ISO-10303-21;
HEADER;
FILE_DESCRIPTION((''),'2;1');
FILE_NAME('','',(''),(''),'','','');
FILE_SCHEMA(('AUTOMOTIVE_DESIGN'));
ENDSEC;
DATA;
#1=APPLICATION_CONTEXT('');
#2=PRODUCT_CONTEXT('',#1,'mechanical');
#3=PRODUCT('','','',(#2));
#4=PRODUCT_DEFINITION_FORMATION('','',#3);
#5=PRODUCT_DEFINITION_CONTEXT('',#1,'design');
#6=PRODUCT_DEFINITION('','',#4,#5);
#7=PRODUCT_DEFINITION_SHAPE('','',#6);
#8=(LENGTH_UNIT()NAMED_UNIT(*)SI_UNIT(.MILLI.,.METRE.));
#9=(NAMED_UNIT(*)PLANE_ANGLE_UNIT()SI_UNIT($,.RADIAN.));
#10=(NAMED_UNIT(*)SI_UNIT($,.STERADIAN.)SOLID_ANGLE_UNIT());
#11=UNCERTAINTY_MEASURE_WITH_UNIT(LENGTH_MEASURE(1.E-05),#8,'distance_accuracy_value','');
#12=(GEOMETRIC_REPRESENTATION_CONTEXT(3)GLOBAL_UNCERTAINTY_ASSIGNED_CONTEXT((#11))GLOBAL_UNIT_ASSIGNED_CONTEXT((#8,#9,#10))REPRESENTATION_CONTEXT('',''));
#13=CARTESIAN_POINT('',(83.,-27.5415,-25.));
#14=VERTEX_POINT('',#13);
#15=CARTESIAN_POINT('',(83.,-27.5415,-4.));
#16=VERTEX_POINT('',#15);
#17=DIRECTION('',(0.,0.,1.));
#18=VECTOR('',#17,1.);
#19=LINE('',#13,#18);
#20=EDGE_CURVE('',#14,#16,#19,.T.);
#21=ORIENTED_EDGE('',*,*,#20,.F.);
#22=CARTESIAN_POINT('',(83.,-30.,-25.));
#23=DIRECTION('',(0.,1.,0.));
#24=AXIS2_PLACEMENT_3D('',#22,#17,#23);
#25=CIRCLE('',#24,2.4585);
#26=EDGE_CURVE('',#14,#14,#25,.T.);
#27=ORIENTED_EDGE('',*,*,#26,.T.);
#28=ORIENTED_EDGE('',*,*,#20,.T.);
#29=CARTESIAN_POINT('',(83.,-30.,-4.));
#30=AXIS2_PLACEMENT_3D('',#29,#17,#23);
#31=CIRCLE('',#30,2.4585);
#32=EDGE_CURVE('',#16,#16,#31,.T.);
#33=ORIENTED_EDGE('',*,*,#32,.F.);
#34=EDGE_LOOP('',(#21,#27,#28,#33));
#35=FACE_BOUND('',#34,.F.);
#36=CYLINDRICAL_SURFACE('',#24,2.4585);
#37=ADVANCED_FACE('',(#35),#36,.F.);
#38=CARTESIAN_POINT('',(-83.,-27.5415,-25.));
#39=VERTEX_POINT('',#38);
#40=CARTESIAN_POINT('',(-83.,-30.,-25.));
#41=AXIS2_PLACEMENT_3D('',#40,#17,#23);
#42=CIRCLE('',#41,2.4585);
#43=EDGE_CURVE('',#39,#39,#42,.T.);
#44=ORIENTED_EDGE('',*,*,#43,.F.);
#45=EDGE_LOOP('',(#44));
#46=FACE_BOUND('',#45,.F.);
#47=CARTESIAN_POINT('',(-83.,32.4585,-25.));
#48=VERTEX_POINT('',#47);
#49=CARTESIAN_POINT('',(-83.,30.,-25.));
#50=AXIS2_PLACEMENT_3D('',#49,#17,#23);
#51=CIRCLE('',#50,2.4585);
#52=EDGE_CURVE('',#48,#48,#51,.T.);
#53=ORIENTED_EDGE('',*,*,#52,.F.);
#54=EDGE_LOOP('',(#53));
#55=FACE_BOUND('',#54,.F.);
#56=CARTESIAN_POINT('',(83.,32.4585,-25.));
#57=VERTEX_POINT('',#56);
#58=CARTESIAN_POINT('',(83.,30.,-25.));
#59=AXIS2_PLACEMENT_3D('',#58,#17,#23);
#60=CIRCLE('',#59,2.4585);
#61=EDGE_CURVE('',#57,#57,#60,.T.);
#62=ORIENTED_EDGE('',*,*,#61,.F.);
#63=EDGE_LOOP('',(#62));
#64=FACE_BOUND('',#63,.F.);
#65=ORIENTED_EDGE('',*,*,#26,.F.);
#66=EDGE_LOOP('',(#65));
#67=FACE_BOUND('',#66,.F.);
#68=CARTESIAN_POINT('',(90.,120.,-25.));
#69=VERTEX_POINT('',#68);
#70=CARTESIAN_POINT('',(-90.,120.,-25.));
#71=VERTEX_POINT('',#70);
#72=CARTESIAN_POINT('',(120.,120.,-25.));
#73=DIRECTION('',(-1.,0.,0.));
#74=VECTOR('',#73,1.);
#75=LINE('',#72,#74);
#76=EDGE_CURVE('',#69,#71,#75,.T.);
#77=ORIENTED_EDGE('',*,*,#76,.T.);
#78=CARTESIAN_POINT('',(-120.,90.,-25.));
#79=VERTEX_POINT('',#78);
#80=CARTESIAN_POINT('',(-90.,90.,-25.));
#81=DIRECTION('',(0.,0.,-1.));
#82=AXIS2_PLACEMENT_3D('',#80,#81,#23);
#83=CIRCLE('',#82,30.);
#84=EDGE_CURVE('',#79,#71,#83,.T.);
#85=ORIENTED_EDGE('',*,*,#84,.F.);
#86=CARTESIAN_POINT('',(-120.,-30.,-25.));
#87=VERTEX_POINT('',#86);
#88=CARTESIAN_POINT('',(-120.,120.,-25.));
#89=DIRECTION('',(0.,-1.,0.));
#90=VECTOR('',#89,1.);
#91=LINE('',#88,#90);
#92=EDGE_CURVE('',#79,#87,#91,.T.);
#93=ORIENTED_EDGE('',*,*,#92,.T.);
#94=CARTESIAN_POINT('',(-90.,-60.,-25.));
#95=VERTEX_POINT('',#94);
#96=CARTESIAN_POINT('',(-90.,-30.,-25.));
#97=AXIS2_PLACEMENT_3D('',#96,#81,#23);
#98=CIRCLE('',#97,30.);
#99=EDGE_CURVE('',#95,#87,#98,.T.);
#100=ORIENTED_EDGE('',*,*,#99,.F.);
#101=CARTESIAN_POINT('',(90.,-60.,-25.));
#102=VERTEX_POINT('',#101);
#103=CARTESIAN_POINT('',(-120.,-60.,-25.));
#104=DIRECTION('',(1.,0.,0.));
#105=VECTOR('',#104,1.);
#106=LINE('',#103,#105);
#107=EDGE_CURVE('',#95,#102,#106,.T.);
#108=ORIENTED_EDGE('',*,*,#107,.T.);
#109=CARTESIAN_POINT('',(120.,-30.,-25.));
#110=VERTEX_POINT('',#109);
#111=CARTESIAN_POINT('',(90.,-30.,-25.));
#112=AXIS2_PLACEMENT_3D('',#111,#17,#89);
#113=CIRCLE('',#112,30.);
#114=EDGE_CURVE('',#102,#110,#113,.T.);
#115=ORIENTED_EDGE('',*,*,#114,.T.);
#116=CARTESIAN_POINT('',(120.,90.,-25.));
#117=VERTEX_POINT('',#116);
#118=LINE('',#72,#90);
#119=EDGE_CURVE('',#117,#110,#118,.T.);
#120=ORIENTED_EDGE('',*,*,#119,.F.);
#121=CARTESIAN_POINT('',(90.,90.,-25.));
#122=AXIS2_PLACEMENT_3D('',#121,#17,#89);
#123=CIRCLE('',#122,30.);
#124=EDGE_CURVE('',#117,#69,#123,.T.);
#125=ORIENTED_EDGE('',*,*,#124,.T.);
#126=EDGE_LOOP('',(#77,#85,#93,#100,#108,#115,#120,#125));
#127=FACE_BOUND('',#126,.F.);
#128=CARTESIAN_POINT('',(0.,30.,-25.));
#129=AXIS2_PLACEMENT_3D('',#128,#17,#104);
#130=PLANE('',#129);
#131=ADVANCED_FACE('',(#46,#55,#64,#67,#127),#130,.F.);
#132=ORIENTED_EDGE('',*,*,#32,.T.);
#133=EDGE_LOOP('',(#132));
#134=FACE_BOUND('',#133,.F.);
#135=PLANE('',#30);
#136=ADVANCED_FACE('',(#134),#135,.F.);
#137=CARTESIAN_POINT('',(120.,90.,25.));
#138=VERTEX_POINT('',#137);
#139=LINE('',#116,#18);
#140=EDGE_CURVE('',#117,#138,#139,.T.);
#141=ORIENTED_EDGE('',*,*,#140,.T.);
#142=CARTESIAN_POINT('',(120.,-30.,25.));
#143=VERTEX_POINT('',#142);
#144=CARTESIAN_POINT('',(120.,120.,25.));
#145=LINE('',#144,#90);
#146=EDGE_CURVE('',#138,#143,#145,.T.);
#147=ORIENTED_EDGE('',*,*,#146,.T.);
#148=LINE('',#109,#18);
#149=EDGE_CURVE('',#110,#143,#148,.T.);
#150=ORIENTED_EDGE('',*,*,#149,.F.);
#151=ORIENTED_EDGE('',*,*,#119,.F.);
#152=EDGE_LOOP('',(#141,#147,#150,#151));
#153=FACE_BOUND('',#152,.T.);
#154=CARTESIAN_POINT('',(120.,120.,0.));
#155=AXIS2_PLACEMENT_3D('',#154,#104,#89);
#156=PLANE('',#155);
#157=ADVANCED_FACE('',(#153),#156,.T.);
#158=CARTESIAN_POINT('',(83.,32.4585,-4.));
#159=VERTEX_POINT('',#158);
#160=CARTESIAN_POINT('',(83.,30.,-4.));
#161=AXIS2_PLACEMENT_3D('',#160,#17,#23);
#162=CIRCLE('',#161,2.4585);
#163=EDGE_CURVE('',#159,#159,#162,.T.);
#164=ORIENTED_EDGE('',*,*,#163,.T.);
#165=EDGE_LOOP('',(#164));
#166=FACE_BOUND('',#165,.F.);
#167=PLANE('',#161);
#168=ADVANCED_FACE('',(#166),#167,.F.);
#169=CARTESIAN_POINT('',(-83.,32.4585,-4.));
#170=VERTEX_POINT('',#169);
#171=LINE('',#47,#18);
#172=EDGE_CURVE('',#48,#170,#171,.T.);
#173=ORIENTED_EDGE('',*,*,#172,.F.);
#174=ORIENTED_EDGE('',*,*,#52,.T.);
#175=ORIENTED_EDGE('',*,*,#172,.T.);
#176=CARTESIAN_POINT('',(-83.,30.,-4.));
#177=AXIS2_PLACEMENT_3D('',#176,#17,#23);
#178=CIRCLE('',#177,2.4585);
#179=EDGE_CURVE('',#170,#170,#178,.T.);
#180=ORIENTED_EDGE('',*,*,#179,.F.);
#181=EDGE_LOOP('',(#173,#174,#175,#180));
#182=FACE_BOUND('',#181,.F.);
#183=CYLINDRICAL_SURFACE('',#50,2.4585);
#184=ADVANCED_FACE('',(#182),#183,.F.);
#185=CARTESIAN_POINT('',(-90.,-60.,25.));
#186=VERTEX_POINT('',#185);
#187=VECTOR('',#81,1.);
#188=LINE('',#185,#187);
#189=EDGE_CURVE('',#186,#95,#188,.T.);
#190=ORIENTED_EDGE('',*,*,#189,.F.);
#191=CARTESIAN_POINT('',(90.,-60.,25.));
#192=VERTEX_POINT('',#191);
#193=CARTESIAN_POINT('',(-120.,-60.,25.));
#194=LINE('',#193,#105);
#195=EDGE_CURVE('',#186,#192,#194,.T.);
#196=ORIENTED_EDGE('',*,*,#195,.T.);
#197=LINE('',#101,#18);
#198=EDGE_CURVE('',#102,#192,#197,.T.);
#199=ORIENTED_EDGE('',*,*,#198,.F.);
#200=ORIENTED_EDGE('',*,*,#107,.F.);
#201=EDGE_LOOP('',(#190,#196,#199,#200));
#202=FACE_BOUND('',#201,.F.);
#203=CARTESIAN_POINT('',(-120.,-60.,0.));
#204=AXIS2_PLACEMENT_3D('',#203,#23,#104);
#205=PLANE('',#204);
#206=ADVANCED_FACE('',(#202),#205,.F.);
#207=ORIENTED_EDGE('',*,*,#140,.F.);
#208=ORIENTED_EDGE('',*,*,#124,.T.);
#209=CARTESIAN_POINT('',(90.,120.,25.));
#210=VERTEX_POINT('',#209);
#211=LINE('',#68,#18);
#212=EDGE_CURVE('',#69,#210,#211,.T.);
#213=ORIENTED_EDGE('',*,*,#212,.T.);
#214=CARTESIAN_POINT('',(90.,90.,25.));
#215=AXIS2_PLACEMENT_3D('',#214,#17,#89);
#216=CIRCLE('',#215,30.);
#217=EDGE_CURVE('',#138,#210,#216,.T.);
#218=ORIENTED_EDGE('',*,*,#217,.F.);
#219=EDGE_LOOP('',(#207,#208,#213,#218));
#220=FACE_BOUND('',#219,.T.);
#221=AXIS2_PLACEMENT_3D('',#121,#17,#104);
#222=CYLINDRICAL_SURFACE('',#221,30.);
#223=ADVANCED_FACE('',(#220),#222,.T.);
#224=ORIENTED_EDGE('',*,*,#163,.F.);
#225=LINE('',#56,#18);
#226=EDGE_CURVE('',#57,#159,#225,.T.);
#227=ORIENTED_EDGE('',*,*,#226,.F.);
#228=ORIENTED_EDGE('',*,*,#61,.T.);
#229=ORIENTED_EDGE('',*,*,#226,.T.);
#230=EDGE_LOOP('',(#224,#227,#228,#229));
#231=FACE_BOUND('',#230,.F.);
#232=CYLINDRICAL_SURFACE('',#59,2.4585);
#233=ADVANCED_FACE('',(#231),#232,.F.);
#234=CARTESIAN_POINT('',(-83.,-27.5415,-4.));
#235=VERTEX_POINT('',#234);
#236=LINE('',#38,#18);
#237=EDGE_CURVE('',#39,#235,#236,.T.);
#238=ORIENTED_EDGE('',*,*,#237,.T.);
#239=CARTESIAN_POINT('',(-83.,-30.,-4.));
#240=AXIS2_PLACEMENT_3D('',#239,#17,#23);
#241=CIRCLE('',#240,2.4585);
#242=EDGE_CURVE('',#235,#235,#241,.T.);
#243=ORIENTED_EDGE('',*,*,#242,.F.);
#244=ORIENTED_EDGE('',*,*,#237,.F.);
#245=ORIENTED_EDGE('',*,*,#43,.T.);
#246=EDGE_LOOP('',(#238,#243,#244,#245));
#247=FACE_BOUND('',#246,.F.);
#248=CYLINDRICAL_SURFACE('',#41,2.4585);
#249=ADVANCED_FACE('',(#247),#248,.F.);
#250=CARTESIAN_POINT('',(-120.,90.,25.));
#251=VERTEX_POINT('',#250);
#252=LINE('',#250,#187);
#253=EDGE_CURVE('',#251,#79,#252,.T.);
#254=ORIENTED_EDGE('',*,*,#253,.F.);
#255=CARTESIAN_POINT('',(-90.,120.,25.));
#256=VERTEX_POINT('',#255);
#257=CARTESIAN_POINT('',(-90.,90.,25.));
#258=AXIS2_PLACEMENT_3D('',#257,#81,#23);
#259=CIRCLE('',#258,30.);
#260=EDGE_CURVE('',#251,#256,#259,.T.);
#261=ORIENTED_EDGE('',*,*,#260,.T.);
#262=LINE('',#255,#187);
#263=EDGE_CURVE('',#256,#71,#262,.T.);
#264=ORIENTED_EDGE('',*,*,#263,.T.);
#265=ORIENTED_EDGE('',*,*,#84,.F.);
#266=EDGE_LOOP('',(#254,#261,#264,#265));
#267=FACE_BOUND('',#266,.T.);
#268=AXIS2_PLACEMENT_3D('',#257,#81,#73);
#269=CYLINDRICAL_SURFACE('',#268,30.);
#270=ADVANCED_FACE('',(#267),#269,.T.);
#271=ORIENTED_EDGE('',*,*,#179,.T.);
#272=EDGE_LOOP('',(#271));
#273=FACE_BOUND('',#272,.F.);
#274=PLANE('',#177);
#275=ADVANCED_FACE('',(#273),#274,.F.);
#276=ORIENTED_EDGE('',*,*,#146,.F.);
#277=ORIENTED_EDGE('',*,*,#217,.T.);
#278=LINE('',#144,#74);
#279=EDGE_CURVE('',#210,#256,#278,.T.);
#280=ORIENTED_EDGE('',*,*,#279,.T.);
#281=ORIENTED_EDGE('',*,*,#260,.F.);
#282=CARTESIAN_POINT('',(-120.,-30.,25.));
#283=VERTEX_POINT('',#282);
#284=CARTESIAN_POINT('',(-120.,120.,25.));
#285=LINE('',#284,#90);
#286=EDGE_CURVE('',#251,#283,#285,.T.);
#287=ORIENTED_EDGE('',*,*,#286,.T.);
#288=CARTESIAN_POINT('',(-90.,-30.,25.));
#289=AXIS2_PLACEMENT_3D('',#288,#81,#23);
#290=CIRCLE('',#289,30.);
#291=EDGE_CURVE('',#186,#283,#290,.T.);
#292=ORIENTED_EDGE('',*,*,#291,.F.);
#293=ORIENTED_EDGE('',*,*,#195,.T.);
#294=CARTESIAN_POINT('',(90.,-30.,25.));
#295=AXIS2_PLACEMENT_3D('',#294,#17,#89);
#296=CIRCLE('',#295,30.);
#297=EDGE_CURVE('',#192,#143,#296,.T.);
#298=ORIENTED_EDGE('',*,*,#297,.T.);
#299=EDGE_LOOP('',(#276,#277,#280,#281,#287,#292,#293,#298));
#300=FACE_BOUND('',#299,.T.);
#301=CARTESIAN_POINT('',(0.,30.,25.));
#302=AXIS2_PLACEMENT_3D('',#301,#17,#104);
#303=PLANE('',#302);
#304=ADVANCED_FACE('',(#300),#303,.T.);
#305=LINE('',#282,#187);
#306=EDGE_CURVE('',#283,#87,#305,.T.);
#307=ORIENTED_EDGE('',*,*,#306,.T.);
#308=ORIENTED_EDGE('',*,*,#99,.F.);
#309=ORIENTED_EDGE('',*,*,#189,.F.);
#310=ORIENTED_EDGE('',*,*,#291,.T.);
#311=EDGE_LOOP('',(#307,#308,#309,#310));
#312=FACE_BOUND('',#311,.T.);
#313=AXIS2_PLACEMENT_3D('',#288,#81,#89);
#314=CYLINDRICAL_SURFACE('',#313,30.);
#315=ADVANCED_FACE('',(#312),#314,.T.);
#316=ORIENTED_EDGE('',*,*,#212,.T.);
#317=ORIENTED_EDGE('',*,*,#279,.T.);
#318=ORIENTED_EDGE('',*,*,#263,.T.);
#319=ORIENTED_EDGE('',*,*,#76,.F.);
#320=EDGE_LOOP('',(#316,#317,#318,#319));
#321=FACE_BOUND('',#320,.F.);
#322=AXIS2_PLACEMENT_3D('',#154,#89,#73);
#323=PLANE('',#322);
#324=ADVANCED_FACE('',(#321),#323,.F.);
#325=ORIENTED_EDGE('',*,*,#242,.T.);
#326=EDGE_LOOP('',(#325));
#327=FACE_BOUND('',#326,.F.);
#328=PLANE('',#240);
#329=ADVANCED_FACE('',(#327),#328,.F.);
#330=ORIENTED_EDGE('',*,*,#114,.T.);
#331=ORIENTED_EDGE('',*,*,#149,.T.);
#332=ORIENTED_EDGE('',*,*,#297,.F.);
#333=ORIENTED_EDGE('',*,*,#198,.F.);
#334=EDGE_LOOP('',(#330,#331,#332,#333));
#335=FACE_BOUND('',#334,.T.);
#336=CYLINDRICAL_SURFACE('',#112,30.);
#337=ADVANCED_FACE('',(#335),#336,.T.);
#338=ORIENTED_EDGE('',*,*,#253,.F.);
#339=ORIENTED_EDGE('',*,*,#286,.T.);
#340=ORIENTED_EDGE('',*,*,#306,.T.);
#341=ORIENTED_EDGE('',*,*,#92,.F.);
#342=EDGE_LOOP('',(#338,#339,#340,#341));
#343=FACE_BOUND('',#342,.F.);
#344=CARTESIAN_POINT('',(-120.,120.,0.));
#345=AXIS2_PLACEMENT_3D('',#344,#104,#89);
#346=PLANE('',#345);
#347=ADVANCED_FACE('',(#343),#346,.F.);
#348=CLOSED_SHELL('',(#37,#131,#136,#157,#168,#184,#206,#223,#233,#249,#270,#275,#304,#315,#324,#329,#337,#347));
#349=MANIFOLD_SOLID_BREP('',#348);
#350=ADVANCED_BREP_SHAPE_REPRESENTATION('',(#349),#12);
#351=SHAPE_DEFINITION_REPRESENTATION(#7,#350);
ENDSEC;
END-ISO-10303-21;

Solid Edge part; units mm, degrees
sketch "Sketch1" plane through (0, 0, 0) normal (0, 0, 1) x (1, 0, 0)
  line L0 (-120, -60) -> (120, -60)
  line L1 (120, 120) -> (120, -60)
  line L2 (120, 120) -> (-120, 120)
  line L3 (-120, 120) -> (-120, -60)
extrude "Protrusion1" add sketch "Sketch1" along normal mid plane 50
fillet "Round_1" radius 30 4 edges at (-120, 120, 0) (-120, -60, 0) (120, -60, 0) (120, 120, 0)
hole "Hole_6" at (83, -30, -25) direction (0, 0, 1) diameter 4.917 depth 21
hole "Hole1" at (83, 30, -25) direction (0, 0, 1) diameter 4.917 depth 21
hole "Hole2" at (-83, 30, -25) direction (0, 0, 1) diameter 4.917 depth 21
hole "Hole3" at (-83, -30, -25) direction (0, 0, 1) diameter 4.917 depth 21
